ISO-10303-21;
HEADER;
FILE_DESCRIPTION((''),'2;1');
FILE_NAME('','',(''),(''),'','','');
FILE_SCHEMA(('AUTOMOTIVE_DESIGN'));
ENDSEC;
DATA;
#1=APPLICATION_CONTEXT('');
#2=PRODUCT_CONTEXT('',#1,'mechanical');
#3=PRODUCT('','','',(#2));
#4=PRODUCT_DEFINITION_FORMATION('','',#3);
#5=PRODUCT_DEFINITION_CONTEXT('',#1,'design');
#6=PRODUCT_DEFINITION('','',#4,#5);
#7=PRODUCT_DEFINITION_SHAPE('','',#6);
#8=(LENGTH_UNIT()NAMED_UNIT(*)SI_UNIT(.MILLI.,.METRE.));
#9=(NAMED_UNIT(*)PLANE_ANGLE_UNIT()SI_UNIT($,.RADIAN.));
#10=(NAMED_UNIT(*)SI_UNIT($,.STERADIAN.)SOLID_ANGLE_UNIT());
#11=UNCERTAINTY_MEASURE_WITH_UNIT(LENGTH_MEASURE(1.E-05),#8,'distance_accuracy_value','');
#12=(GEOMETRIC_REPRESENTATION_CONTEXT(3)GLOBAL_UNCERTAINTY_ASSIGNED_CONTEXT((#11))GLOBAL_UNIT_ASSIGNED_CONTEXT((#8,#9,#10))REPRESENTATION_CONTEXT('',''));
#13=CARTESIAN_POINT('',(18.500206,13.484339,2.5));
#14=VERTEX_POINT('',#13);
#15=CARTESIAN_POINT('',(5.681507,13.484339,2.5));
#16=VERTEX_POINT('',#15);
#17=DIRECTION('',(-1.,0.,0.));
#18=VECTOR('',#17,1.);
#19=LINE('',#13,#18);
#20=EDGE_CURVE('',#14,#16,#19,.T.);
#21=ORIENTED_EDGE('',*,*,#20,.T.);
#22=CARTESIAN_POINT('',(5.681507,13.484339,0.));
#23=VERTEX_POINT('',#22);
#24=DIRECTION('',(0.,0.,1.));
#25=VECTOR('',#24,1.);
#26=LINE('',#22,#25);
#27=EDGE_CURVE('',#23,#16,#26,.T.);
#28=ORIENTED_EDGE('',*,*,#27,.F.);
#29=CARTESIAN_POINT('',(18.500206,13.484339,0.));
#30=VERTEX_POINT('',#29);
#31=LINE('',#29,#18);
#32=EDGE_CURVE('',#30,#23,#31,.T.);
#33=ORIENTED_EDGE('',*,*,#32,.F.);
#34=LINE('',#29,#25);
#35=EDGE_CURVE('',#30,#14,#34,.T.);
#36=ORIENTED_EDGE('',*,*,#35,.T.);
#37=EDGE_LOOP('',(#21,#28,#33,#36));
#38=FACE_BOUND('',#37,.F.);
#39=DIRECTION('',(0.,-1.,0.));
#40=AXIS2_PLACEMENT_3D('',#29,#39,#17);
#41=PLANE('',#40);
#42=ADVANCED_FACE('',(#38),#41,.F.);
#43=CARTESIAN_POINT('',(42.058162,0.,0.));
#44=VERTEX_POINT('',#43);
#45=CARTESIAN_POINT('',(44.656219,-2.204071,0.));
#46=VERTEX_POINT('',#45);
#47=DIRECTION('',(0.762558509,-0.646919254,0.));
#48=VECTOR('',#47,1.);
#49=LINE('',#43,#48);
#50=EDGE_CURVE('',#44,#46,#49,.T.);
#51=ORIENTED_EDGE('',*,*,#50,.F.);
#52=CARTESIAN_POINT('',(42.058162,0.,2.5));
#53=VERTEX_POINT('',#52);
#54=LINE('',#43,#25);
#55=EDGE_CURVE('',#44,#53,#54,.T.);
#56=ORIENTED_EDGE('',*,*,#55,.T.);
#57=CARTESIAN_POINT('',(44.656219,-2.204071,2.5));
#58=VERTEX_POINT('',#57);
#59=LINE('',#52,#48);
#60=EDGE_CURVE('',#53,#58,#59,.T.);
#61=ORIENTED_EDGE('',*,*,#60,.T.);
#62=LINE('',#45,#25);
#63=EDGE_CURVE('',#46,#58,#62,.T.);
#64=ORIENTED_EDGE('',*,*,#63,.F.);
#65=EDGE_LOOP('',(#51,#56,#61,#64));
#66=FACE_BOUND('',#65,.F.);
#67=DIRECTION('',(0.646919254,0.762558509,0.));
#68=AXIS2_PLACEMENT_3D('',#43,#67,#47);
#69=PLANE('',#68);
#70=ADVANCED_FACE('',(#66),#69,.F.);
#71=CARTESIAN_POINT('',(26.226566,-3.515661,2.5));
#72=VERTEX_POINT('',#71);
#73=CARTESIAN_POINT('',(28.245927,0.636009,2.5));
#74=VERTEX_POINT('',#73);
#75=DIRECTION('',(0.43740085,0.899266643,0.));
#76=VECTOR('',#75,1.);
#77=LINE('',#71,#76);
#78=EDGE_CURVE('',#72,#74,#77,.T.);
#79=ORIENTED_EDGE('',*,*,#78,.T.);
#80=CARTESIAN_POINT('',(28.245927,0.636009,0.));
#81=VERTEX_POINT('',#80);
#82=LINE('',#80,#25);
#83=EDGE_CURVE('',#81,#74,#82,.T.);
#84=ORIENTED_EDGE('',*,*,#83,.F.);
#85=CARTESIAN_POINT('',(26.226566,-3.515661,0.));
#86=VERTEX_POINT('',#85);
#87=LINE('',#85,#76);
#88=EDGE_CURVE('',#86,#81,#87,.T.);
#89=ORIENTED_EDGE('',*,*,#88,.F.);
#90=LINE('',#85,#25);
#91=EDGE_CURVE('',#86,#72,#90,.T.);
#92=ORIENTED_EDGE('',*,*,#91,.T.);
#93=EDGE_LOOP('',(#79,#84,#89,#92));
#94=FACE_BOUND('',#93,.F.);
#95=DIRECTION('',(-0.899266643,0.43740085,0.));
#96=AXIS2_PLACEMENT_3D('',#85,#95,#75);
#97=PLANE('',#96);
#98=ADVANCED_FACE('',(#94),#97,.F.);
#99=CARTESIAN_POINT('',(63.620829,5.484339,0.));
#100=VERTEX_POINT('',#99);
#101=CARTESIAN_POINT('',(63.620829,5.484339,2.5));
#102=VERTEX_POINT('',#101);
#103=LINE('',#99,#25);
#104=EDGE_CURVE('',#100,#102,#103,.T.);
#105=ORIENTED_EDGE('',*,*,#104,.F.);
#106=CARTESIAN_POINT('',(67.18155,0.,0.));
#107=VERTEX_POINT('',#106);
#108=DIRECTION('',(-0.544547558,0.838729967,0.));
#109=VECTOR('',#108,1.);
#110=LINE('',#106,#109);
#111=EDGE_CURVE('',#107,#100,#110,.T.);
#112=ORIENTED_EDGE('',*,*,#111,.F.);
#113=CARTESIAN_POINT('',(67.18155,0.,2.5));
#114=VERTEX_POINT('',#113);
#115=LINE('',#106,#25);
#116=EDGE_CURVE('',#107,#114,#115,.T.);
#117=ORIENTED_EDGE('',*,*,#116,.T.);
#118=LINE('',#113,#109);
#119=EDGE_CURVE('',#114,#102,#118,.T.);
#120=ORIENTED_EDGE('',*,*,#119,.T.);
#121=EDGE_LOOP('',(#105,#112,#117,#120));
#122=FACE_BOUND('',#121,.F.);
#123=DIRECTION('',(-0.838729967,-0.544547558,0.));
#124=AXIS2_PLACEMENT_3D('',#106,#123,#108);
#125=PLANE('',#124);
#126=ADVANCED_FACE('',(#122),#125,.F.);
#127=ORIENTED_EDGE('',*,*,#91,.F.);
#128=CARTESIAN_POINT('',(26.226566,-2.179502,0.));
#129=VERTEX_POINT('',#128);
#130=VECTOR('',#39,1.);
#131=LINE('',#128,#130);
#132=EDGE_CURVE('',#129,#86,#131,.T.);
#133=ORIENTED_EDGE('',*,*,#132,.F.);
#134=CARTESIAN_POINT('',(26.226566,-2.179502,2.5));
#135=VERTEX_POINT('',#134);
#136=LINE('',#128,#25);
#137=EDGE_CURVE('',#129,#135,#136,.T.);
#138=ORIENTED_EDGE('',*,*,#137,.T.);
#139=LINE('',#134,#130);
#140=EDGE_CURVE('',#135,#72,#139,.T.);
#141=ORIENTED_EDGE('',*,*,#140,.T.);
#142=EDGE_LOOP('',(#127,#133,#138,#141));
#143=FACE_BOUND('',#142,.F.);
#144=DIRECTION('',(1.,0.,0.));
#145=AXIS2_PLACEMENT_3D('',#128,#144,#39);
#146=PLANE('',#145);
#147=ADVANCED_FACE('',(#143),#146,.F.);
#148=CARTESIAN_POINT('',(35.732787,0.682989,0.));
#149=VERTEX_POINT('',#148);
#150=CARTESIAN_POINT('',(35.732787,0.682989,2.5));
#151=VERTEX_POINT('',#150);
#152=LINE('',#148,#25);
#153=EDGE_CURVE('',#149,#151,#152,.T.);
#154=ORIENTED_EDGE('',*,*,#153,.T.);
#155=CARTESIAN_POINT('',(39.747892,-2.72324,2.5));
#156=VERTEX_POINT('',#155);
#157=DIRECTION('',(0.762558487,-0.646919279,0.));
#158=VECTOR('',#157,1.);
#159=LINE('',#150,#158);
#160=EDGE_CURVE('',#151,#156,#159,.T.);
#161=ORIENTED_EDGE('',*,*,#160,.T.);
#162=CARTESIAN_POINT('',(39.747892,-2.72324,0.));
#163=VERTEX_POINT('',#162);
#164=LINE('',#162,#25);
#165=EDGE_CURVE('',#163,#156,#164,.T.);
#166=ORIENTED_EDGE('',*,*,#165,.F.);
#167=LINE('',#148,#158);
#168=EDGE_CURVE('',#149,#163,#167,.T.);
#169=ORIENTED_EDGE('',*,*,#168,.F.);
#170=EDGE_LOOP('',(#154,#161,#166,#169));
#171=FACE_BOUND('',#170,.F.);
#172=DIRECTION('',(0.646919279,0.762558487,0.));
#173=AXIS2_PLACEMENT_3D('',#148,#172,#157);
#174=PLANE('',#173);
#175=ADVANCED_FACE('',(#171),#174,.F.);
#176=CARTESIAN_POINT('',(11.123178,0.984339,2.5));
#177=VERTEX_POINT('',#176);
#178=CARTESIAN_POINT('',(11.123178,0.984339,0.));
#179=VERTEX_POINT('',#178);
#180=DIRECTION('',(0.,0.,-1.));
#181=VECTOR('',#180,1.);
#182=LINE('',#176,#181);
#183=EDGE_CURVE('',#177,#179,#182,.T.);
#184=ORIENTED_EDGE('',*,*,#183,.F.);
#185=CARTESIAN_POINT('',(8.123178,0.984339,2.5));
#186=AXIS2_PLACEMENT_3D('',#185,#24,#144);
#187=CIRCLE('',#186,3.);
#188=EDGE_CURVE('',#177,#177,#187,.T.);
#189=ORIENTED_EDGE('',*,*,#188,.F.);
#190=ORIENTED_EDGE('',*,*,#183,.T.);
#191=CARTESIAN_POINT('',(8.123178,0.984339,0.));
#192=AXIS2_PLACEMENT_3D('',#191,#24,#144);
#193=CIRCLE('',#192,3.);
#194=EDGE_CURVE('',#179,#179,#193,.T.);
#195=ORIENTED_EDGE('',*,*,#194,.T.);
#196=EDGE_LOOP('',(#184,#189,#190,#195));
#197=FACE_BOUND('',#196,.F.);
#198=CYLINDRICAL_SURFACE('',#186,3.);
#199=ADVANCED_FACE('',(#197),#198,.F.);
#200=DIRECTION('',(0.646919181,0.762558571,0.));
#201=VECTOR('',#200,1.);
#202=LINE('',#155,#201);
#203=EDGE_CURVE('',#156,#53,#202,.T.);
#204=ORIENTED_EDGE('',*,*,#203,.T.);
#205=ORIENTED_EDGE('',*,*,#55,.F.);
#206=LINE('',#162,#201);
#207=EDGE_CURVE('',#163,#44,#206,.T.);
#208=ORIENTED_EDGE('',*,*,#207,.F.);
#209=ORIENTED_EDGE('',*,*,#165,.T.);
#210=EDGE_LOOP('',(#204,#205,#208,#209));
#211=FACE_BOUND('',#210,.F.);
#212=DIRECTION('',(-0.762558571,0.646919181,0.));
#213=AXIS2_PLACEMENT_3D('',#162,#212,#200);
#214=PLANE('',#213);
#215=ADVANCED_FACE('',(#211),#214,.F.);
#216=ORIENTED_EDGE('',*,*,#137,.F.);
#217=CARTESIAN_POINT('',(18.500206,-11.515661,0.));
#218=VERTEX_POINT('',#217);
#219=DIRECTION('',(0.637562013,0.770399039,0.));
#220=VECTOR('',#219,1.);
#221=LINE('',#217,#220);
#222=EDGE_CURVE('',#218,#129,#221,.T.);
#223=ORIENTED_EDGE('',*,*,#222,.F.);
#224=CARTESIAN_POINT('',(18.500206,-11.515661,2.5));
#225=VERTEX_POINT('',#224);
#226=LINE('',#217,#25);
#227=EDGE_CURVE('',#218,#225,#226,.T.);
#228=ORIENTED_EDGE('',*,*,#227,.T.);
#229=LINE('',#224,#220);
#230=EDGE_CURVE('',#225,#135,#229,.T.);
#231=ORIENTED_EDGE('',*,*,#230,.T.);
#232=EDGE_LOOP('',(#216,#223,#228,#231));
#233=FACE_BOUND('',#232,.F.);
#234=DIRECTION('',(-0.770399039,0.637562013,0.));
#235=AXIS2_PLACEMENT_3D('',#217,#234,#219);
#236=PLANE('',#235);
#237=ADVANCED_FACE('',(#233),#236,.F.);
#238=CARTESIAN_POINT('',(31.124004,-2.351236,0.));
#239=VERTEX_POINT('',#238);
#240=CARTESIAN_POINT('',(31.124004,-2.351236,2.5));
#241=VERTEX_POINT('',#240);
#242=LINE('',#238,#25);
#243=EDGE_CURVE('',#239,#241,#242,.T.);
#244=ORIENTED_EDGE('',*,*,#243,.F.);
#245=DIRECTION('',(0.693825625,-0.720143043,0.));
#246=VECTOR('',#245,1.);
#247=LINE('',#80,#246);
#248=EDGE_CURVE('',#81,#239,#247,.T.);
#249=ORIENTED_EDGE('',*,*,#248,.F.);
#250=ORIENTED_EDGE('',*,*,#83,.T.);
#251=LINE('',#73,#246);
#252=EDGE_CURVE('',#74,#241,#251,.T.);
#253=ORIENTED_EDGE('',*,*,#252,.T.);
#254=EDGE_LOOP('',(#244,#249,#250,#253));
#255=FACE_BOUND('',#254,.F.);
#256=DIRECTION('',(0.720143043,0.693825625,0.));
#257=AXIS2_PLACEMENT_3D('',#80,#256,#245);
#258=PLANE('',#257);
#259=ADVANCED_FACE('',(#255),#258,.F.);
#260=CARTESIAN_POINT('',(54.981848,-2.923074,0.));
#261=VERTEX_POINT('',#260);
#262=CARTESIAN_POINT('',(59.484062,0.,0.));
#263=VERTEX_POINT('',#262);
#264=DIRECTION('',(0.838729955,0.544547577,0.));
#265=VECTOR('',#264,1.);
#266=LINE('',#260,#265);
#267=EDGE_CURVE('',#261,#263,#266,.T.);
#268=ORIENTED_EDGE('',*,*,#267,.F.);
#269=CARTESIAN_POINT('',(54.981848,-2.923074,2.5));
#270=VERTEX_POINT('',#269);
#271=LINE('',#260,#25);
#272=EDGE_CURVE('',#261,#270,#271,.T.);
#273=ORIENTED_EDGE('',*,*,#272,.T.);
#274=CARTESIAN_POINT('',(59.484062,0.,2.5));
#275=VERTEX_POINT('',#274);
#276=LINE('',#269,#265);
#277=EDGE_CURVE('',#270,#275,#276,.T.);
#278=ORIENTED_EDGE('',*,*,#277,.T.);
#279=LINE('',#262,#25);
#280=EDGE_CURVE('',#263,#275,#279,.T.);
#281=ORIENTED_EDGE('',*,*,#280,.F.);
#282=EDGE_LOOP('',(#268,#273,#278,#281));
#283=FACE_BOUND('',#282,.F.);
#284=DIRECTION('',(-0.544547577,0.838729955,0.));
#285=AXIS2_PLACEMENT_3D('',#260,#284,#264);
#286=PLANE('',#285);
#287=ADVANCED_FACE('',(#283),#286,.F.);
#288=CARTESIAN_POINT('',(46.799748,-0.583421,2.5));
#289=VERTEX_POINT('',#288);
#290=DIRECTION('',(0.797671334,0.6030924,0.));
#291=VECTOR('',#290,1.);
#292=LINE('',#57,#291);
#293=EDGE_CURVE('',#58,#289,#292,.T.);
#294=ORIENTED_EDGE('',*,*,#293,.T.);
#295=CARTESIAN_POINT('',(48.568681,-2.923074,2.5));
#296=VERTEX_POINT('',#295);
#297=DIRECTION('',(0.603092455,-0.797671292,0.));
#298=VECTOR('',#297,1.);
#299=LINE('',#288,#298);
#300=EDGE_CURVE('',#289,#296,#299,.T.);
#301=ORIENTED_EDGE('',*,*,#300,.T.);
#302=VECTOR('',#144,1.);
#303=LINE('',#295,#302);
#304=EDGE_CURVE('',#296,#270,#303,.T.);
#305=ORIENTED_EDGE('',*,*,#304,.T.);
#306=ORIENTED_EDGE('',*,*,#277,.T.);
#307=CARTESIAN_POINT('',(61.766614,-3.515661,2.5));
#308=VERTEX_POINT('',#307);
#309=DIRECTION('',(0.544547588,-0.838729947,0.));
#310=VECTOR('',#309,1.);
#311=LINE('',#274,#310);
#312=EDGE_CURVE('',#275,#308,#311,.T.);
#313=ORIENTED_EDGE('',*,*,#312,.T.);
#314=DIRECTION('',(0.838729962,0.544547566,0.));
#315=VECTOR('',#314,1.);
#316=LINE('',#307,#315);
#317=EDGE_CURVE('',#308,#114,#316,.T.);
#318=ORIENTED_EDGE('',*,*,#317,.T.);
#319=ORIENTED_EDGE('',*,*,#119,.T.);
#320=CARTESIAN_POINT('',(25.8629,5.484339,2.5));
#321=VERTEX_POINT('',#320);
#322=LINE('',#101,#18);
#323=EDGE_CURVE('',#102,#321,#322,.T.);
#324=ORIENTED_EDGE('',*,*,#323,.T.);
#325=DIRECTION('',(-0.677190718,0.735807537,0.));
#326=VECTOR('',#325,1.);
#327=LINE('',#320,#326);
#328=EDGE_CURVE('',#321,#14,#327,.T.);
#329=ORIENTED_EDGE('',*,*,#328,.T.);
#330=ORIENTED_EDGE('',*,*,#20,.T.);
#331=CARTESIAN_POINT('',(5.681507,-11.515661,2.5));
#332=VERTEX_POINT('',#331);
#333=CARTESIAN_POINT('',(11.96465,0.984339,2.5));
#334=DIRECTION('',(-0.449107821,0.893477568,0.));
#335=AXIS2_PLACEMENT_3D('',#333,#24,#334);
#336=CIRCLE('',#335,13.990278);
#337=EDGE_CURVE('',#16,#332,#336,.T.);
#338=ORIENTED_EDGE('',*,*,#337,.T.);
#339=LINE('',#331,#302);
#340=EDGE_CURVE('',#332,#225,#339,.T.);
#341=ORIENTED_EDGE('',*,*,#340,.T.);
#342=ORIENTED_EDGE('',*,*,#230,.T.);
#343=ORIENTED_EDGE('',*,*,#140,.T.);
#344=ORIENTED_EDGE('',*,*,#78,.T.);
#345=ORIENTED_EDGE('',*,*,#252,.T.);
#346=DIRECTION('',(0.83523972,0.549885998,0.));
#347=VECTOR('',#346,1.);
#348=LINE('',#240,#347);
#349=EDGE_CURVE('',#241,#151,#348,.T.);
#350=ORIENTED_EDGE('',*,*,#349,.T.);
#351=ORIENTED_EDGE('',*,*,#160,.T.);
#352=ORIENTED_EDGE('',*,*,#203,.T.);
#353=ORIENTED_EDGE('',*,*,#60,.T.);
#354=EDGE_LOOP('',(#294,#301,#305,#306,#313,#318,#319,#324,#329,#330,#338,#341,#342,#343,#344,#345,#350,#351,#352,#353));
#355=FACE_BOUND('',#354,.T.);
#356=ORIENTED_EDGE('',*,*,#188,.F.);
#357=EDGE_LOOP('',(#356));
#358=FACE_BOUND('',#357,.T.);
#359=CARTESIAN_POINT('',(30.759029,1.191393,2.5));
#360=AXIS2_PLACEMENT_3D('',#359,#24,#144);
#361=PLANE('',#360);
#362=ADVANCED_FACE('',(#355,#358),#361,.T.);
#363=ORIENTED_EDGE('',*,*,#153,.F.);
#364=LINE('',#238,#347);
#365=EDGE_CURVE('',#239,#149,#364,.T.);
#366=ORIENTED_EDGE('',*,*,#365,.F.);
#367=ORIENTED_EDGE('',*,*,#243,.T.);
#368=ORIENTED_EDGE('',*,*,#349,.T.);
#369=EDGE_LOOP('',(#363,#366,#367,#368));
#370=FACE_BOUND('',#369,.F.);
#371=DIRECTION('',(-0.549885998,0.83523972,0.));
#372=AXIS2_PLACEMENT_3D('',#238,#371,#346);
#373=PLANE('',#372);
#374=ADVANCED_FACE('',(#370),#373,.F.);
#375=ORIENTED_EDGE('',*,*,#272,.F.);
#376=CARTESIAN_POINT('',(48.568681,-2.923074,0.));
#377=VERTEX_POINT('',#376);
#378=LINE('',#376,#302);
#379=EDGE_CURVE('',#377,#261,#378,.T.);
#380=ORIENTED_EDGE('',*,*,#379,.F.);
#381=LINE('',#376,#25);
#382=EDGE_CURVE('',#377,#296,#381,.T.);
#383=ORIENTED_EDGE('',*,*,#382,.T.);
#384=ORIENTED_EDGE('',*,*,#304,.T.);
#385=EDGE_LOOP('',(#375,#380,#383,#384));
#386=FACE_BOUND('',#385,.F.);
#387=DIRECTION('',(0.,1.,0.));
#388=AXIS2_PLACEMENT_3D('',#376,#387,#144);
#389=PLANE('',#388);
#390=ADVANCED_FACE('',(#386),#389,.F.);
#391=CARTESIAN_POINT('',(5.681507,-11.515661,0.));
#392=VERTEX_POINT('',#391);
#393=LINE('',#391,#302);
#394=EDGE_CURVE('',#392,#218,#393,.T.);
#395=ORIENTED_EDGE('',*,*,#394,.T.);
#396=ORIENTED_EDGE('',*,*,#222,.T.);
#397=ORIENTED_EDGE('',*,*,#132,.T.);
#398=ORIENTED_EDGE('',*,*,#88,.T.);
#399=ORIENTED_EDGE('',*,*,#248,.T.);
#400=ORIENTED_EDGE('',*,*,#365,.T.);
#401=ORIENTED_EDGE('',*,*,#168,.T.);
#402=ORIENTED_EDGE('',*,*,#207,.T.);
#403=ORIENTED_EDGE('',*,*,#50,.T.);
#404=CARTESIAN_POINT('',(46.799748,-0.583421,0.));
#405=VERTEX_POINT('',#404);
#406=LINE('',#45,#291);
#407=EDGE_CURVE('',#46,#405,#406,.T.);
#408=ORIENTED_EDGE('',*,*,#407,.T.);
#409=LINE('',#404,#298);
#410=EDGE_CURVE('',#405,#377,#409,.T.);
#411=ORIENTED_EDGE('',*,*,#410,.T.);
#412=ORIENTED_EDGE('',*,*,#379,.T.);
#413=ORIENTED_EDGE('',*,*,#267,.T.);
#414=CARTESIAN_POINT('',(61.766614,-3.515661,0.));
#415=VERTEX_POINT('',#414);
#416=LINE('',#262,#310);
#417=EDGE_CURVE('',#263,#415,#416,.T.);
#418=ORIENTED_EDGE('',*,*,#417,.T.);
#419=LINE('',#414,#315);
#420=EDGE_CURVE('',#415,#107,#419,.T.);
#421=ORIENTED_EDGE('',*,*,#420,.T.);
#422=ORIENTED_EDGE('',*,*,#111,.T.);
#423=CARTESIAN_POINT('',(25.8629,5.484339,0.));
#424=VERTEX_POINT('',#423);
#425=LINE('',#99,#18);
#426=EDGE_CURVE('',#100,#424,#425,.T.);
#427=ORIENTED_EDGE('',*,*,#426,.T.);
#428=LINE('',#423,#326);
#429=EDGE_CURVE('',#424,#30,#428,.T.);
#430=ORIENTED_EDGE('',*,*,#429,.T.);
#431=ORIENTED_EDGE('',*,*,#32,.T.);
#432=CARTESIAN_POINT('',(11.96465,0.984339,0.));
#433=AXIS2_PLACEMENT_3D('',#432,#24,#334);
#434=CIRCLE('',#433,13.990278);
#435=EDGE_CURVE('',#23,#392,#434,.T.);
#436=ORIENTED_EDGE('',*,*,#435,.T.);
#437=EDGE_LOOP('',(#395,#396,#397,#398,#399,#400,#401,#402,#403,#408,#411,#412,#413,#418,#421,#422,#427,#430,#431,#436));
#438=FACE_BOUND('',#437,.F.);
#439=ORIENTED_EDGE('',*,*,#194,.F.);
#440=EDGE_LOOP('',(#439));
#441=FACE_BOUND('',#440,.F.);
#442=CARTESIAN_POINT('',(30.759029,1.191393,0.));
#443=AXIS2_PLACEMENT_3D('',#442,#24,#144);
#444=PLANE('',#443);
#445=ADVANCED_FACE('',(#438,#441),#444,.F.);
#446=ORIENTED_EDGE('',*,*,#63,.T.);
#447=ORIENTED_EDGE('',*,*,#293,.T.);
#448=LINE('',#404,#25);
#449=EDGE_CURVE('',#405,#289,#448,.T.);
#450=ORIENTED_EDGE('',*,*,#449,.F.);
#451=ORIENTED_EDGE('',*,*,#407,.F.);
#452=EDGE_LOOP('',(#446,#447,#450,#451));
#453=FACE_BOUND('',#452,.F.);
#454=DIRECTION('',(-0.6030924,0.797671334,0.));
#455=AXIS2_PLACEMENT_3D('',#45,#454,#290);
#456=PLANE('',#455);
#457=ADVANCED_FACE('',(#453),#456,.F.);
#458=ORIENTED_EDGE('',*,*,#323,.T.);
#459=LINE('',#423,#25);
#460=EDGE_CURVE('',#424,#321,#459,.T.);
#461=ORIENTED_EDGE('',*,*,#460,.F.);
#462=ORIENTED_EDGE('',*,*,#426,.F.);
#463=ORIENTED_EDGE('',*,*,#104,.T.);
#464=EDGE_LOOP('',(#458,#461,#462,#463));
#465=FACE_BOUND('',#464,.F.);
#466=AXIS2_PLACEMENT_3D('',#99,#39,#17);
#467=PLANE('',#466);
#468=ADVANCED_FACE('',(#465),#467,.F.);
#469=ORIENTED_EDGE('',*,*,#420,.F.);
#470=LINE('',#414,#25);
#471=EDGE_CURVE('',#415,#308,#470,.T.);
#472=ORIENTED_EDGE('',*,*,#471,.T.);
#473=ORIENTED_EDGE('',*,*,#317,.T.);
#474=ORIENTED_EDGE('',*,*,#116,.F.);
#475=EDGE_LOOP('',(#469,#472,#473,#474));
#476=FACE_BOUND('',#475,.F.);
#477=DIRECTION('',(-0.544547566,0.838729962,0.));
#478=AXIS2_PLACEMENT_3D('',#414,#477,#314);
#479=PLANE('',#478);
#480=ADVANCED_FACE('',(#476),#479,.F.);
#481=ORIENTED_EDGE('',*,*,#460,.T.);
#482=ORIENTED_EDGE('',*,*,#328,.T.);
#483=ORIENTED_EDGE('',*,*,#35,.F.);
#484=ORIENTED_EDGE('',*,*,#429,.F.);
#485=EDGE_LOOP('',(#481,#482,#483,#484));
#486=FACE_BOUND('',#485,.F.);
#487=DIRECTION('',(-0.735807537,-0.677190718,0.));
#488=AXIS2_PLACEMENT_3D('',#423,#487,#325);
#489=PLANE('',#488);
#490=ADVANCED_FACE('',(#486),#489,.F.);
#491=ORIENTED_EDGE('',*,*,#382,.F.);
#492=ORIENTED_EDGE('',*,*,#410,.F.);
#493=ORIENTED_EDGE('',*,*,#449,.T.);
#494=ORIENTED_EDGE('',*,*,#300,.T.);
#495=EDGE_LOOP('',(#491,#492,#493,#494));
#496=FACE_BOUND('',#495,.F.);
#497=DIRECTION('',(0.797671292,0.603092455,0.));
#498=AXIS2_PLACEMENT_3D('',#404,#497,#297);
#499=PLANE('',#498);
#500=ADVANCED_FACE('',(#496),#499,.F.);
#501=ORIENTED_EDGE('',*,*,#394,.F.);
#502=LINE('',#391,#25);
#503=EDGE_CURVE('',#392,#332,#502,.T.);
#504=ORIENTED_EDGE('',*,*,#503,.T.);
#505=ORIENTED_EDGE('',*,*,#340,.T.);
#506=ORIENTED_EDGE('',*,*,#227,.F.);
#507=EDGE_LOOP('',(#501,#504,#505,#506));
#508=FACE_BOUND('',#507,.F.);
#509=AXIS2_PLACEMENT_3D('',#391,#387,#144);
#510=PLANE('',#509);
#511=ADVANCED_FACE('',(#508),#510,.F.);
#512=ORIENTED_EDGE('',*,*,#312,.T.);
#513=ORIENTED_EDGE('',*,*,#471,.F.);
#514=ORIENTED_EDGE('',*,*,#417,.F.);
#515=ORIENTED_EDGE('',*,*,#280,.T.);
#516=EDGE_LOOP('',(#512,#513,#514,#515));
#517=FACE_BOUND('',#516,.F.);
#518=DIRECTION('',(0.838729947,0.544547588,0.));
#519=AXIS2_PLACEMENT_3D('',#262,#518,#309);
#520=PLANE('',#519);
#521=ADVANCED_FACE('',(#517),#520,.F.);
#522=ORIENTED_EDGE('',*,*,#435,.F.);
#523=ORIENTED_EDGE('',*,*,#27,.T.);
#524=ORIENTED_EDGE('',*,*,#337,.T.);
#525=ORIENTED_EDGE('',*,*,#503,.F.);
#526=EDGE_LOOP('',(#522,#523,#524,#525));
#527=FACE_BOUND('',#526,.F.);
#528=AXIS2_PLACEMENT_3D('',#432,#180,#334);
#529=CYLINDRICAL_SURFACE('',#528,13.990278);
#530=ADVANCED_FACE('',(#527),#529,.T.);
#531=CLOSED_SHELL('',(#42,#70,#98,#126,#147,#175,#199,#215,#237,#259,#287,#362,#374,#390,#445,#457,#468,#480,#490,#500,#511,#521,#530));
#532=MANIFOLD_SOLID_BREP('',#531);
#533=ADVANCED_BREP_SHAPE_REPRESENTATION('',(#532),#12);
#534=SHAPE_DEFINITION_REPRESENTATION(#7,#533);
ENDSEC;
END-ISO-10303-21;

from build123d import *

# Parameters (mm, degrees)
F1_DEPTH = 2.5
F2_R     = 3
F3_DEPTH = 25


with BuildPart() as f1:
    # F0 (on Top) → F1 (new body)
    with BuildSketch(Plane.XY):
        with BuildLine():
            Line((18.500206, 13.484339), (5.681507, 13.484339))
            ThreePointArc((5.681507, 13.484339), (-2.025628, 0.984339), (5.681507, -11.515661))
            Line((5.681507, -11.515661), (18.500206, -11.515661))
            Line((18.500206, -11.515661), (26.226566, -2.179502))
            Line((26.226566, -2.179502), (26.226566, -3.515661))
            Line((26.226566, -3.515661), (28.245927, 0.636009))
            Line((28.245927, 0.636009), (31.124004, -2.351236))
            Line((31.124004, -2.351236), (35.732787, 0.682989))
            Line((35.732787, 0.682989), (39.747892, -2.72324))
            Line((39.747892, -2.72324), (42.058162, 0))
            Line((42.058162, 0), (44.656219, -2.204071))
            Line((44.656219, -2.204071), (46.799748, -0.583421))
            Line((46.799748, -0.583421), (48.568681, -2.923074))
            Line((48.568681, -2.923074), (54.981848, -2.923074))
            Line((54.981848, -2.923074), (59.484062, 0))
            Line((59.484062, 0), (61.766614, -3.515661))
            Line((61.766614, -3.515661), (67.18155, 0))
            Line((67.18155, 0), (63.620829, 5.484339))
            Line((63.620829, 5.484339), (25.8629, 5.484339))
            Line((25.8629, 5.484339), (18.500206, 13.484339))
        make_face()
    extrude(amount=F1_DEPTH)

    # F2 (on face) → F3 (cut)
    with BuildSketch(Plane.XY.offset(2.5)):
        with Locations((8.123178, 0.984339)):
            Circle(F2_R)
    extrude(amount=-F3_DEPTH, mode=Mode.SUBTRACT)


solid = f1.part
